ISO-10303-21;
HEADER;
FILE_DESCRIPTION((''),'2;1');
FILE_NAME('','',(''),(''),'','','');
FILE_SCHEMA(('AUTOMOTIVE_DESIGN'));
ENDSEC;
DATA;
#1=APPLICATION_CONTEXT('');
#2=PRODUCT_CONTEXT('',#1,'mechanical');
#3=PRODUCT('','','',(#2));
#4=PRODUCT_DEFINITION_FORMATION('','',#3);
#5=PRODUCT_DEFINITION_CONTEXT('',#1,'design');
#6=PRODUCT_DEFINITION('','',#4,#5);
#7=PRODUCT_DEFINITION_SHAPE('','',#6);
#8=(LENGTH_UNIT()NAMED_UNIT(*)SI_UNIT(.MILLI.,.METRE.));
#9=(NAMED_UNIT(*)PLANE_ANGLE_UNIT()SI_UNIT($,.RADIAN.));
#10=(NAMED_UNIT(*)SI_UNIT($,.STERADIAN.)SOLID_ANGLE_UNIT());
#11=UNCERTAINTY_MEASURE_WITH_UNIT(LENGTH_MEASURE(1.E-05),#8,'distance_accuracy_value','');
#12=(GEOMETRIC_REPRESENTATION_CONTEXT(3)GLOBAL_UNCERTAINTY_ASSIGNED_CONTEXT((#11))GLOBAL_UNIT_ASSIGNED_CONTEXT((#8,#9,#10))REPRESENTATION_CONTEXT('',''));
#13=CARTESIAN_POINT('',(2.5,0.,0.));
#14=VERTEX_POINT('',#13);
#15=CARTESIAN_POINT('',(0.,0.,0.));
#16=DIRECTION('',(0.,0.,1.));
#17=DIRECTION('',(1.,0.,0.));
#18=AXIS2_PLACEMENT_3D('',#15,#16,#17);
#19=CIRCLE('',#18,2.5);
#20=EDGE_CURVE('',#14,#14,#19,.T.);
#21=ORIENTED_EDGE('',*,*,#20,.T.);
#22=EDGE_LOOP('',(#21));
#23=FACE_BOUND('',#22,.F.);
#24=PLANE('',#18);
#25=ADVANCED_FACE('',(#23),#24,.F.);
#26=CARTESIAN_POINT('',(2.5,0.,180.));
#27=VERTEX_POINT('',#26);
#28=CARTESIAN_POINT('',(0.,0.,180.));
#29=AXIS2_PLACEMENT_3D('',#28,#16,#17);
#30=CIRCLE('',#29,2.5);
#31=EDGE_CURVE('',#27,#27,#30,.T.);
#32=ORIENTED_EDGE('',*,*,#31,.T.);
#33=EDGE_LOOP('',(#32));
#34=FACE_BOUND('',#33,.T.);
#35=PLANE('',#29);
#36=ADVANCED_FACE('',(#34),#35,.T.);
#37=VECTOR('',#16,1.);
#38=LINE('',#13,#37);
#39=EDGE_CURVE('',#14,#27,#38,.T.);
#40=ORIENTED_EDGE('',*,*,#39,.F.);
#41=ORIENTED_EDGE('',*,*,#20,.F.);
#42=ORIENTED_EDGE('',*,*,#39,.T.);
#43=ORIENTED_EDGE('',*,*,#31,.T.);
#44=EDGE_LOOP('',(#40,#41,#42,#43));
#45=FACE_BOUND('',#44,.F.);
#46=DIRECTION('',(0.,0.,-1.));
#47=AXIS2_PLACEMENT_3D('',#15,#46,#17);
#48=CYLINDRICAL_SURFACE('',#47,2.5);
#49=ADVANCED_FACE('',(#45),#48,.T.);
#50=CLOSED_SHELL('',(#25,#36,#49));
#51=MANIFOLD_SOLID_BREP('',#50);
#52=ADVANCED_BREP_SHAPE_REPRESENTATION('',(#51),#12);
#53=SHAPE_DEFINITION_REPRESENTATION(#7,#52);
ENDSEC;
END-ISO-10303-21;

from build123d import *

# Parameters (mm, degrees)
SKETCH_R  = 2.5
PAD_DEPTH = 180


with BuildPart() as part:
    # Sketch → Pad (new body)
    with BuildSketch(Plane.XY):
        Circle(SKETCH_R)
    extrude(amount=PAD_DEPTH)


solid = part.part
